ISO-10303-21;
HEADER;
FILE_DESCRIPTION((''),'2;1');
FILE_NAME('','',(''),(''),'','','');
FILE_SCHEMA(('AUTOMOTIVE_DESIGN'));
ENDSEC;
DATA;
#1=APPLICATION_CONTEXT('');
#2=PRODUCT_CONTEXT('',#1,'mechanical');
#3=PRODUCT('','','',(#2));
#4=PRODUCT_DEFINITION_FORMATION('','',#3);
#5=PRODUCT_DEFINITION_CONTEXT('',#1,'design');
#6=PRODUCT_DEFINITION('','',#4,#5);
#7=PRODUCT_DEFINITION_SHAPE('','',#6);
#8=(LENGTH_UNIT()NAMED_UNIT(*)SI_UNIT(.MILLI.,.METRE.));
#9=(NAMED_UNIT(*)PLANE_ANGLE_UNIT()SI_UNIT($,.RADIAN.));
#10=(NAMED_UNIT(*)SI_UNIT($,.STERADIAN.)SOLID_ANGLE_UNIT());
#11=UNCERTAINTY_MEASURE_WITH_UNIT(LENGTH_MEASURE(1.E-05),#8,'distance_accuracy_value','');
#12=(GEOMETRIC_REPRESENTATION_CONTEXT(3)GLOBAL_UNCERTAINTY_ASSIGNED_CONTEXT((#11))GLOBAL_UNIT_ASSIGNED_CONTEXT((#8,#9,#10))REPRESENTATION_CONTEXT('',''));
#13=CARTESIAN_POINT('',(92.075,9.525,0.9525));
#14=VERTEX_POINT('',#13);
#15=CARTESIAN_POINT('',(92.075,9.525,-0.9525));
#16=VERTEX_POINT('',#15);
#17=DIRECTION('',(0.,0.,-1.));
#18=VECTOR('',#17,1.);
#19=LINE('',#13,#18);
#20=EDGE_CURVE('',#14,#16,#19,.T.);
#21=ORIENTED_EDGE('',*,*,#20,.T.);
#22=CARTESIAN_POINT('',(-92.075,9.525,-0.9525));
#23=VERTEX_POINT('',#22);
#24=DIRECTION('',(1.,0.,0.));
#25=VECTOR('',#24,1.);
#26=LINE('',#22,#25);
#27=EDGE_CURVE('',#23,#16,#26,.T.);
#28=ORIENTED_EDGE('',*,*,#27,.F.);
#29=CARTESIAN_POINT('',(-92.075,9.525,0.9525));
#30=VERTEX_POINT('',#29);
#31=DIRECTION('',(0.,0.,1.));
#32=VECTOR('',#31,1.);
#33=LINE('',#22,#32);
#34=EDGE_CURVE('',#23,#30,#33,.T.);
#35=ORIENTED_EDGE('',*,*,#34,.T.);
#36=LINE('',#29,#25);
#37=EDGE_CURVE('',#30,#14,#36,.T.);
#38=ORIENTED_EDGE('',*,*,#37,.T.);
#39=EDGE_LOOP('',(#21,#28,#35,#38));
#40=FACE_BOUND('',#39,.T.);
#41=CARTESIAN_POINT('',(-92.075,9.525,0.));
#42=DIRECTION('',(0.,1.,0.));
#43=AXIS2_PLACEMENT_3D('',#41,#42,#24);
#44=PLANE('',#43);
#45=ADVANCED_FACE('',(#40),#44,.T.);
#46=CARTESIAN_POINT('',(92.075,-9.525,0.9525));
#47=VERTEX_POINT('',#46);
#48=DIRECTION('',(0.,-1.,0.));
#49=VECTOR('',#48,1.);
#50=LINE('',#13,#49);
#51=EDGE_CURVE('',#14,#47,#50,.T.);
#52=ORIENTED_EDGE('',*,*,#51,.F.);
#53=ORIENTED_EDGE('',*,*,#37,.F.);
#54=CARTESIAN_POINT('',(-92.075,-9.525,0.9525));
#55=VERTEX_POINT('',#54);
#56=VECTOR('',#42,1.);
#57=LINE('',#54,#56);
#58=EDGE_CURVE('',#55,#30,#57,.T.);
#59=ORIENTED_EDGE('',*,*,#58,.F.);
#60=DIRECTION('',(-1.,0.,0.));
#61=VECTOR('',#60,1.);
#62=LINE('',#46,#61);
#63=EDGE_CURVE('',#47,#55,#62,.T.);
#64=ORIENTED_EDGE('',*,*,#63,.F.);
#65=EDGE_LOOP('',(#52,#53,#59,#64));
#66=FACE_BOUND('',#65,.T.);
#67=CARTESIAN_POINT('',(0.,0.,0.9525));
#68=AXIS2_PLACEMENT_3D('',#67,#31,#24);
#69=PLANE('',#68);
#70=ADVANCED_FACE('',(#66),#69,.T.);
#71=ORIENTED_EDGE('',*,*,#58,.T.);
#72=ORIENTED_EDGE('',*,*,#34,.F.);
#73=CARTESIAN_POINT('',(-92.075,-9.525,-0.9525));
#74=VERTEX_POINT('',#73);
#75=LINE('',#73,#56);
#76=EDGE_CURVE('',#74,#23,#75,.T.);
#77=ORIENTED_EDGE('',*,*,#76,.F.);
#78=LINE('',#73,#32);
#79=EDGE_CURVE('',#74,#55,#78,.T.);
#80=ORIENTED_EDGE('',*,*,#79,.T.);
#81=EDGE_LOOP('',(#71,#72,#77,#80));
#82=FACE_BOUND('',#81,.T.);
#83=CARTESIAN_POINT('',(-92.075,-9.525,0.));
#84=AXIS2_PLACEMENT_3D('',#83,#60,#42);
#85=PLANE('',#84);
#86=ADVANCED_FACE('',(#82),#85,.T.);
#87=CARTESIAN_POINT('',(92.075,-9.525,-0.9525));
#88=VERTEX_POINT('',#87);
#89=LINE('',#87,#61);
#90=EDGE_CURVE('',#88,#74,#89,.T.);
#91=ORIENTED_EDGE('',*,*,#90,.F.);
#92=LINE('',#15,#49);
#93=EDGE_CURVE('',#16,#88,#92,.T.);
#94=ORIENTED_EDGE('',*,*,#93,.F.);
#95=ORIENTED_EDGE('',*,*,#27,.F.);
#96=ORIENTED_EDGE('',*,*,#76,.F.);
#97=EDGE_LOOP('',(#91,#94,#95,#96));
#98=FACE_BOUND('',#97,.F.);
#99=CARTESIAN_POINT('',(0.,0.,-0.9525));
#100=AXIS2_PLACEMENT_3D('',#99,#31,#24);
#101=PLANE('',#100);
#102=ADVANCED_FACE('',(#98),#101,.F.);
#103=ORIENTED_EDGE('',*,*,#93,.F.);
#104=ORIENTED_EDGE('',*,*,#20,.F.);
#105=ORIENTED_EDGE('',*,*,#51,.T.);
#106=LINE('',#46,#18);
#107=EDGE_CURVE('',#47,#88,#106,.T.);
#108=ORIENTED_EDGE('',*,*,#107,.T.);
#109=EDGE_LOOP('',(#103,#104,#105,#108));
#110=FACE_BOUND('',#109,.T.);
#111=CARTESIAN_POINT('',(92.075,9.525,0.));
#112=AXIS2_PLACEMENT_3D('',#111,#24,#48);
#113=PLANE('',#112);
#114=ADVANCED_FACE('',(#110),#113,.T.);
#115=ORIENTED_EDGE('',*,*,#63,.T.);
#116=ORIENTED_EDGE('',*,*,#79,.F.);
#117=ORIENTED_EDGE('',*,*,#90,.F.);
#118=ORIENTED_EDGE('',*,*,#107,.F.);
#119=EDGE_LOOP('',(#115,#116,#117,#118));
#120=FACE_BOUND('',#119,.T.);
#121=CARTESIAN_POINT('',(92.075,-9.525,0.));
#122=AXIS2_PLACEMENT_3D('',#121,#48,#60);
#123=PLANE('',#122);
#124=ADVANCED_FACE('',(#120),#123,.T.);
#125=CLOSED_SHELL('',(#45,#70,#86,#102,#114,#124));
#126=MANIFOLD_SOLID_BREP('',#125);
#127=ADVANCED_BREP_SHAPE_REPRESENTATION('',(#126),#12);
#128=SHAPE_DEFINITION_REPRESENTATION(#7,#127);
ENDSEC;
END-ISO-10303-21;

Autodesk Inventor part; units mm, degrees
ref_plane "YZ Plane" through (0, 0, 0) normal (1, 0, 0) x (0, 1, 0)
ref_plane "XZ Plane" through (0, 0, 0) normal (0, 1, 0) x (-1, 0, 0)
ref_plane "XY Plane" through (0, 0, 0) normal (0, 0, 1) x (1, 0, 0)
sketch "Sketch1" plane through (0, 0, 0) normal (0, 0, 1) x (1, 0, 0)
  line L0 (-92.075, 9.525) -> (92.075, 9.525)
  line L1 (92.075, 9.525) -> (92.075, -9.525)
  line L2 (92.075, -9.525) -> (-92.075, -9.525)
  line L3 (-92.075, -9.525) -> (-92.075, 9.525)
  line L4 (0, 0) -> (0, 9.525) construction
  line L5 (0, 0) -> (0, -9.525) construction
  line L6 (0, 0) -> (-92.075, 0) construction
  line L7 (0, 0) -> (92.075, 0) construction
  dimension "d0" = 184.15
  dimension "d1" = 19.05
extrude "Extrusion1" add sketch "Sketch1" along normal mid plane 1.905
properties part number "cRIO-FRC Pad" material "ABS Plastic"
